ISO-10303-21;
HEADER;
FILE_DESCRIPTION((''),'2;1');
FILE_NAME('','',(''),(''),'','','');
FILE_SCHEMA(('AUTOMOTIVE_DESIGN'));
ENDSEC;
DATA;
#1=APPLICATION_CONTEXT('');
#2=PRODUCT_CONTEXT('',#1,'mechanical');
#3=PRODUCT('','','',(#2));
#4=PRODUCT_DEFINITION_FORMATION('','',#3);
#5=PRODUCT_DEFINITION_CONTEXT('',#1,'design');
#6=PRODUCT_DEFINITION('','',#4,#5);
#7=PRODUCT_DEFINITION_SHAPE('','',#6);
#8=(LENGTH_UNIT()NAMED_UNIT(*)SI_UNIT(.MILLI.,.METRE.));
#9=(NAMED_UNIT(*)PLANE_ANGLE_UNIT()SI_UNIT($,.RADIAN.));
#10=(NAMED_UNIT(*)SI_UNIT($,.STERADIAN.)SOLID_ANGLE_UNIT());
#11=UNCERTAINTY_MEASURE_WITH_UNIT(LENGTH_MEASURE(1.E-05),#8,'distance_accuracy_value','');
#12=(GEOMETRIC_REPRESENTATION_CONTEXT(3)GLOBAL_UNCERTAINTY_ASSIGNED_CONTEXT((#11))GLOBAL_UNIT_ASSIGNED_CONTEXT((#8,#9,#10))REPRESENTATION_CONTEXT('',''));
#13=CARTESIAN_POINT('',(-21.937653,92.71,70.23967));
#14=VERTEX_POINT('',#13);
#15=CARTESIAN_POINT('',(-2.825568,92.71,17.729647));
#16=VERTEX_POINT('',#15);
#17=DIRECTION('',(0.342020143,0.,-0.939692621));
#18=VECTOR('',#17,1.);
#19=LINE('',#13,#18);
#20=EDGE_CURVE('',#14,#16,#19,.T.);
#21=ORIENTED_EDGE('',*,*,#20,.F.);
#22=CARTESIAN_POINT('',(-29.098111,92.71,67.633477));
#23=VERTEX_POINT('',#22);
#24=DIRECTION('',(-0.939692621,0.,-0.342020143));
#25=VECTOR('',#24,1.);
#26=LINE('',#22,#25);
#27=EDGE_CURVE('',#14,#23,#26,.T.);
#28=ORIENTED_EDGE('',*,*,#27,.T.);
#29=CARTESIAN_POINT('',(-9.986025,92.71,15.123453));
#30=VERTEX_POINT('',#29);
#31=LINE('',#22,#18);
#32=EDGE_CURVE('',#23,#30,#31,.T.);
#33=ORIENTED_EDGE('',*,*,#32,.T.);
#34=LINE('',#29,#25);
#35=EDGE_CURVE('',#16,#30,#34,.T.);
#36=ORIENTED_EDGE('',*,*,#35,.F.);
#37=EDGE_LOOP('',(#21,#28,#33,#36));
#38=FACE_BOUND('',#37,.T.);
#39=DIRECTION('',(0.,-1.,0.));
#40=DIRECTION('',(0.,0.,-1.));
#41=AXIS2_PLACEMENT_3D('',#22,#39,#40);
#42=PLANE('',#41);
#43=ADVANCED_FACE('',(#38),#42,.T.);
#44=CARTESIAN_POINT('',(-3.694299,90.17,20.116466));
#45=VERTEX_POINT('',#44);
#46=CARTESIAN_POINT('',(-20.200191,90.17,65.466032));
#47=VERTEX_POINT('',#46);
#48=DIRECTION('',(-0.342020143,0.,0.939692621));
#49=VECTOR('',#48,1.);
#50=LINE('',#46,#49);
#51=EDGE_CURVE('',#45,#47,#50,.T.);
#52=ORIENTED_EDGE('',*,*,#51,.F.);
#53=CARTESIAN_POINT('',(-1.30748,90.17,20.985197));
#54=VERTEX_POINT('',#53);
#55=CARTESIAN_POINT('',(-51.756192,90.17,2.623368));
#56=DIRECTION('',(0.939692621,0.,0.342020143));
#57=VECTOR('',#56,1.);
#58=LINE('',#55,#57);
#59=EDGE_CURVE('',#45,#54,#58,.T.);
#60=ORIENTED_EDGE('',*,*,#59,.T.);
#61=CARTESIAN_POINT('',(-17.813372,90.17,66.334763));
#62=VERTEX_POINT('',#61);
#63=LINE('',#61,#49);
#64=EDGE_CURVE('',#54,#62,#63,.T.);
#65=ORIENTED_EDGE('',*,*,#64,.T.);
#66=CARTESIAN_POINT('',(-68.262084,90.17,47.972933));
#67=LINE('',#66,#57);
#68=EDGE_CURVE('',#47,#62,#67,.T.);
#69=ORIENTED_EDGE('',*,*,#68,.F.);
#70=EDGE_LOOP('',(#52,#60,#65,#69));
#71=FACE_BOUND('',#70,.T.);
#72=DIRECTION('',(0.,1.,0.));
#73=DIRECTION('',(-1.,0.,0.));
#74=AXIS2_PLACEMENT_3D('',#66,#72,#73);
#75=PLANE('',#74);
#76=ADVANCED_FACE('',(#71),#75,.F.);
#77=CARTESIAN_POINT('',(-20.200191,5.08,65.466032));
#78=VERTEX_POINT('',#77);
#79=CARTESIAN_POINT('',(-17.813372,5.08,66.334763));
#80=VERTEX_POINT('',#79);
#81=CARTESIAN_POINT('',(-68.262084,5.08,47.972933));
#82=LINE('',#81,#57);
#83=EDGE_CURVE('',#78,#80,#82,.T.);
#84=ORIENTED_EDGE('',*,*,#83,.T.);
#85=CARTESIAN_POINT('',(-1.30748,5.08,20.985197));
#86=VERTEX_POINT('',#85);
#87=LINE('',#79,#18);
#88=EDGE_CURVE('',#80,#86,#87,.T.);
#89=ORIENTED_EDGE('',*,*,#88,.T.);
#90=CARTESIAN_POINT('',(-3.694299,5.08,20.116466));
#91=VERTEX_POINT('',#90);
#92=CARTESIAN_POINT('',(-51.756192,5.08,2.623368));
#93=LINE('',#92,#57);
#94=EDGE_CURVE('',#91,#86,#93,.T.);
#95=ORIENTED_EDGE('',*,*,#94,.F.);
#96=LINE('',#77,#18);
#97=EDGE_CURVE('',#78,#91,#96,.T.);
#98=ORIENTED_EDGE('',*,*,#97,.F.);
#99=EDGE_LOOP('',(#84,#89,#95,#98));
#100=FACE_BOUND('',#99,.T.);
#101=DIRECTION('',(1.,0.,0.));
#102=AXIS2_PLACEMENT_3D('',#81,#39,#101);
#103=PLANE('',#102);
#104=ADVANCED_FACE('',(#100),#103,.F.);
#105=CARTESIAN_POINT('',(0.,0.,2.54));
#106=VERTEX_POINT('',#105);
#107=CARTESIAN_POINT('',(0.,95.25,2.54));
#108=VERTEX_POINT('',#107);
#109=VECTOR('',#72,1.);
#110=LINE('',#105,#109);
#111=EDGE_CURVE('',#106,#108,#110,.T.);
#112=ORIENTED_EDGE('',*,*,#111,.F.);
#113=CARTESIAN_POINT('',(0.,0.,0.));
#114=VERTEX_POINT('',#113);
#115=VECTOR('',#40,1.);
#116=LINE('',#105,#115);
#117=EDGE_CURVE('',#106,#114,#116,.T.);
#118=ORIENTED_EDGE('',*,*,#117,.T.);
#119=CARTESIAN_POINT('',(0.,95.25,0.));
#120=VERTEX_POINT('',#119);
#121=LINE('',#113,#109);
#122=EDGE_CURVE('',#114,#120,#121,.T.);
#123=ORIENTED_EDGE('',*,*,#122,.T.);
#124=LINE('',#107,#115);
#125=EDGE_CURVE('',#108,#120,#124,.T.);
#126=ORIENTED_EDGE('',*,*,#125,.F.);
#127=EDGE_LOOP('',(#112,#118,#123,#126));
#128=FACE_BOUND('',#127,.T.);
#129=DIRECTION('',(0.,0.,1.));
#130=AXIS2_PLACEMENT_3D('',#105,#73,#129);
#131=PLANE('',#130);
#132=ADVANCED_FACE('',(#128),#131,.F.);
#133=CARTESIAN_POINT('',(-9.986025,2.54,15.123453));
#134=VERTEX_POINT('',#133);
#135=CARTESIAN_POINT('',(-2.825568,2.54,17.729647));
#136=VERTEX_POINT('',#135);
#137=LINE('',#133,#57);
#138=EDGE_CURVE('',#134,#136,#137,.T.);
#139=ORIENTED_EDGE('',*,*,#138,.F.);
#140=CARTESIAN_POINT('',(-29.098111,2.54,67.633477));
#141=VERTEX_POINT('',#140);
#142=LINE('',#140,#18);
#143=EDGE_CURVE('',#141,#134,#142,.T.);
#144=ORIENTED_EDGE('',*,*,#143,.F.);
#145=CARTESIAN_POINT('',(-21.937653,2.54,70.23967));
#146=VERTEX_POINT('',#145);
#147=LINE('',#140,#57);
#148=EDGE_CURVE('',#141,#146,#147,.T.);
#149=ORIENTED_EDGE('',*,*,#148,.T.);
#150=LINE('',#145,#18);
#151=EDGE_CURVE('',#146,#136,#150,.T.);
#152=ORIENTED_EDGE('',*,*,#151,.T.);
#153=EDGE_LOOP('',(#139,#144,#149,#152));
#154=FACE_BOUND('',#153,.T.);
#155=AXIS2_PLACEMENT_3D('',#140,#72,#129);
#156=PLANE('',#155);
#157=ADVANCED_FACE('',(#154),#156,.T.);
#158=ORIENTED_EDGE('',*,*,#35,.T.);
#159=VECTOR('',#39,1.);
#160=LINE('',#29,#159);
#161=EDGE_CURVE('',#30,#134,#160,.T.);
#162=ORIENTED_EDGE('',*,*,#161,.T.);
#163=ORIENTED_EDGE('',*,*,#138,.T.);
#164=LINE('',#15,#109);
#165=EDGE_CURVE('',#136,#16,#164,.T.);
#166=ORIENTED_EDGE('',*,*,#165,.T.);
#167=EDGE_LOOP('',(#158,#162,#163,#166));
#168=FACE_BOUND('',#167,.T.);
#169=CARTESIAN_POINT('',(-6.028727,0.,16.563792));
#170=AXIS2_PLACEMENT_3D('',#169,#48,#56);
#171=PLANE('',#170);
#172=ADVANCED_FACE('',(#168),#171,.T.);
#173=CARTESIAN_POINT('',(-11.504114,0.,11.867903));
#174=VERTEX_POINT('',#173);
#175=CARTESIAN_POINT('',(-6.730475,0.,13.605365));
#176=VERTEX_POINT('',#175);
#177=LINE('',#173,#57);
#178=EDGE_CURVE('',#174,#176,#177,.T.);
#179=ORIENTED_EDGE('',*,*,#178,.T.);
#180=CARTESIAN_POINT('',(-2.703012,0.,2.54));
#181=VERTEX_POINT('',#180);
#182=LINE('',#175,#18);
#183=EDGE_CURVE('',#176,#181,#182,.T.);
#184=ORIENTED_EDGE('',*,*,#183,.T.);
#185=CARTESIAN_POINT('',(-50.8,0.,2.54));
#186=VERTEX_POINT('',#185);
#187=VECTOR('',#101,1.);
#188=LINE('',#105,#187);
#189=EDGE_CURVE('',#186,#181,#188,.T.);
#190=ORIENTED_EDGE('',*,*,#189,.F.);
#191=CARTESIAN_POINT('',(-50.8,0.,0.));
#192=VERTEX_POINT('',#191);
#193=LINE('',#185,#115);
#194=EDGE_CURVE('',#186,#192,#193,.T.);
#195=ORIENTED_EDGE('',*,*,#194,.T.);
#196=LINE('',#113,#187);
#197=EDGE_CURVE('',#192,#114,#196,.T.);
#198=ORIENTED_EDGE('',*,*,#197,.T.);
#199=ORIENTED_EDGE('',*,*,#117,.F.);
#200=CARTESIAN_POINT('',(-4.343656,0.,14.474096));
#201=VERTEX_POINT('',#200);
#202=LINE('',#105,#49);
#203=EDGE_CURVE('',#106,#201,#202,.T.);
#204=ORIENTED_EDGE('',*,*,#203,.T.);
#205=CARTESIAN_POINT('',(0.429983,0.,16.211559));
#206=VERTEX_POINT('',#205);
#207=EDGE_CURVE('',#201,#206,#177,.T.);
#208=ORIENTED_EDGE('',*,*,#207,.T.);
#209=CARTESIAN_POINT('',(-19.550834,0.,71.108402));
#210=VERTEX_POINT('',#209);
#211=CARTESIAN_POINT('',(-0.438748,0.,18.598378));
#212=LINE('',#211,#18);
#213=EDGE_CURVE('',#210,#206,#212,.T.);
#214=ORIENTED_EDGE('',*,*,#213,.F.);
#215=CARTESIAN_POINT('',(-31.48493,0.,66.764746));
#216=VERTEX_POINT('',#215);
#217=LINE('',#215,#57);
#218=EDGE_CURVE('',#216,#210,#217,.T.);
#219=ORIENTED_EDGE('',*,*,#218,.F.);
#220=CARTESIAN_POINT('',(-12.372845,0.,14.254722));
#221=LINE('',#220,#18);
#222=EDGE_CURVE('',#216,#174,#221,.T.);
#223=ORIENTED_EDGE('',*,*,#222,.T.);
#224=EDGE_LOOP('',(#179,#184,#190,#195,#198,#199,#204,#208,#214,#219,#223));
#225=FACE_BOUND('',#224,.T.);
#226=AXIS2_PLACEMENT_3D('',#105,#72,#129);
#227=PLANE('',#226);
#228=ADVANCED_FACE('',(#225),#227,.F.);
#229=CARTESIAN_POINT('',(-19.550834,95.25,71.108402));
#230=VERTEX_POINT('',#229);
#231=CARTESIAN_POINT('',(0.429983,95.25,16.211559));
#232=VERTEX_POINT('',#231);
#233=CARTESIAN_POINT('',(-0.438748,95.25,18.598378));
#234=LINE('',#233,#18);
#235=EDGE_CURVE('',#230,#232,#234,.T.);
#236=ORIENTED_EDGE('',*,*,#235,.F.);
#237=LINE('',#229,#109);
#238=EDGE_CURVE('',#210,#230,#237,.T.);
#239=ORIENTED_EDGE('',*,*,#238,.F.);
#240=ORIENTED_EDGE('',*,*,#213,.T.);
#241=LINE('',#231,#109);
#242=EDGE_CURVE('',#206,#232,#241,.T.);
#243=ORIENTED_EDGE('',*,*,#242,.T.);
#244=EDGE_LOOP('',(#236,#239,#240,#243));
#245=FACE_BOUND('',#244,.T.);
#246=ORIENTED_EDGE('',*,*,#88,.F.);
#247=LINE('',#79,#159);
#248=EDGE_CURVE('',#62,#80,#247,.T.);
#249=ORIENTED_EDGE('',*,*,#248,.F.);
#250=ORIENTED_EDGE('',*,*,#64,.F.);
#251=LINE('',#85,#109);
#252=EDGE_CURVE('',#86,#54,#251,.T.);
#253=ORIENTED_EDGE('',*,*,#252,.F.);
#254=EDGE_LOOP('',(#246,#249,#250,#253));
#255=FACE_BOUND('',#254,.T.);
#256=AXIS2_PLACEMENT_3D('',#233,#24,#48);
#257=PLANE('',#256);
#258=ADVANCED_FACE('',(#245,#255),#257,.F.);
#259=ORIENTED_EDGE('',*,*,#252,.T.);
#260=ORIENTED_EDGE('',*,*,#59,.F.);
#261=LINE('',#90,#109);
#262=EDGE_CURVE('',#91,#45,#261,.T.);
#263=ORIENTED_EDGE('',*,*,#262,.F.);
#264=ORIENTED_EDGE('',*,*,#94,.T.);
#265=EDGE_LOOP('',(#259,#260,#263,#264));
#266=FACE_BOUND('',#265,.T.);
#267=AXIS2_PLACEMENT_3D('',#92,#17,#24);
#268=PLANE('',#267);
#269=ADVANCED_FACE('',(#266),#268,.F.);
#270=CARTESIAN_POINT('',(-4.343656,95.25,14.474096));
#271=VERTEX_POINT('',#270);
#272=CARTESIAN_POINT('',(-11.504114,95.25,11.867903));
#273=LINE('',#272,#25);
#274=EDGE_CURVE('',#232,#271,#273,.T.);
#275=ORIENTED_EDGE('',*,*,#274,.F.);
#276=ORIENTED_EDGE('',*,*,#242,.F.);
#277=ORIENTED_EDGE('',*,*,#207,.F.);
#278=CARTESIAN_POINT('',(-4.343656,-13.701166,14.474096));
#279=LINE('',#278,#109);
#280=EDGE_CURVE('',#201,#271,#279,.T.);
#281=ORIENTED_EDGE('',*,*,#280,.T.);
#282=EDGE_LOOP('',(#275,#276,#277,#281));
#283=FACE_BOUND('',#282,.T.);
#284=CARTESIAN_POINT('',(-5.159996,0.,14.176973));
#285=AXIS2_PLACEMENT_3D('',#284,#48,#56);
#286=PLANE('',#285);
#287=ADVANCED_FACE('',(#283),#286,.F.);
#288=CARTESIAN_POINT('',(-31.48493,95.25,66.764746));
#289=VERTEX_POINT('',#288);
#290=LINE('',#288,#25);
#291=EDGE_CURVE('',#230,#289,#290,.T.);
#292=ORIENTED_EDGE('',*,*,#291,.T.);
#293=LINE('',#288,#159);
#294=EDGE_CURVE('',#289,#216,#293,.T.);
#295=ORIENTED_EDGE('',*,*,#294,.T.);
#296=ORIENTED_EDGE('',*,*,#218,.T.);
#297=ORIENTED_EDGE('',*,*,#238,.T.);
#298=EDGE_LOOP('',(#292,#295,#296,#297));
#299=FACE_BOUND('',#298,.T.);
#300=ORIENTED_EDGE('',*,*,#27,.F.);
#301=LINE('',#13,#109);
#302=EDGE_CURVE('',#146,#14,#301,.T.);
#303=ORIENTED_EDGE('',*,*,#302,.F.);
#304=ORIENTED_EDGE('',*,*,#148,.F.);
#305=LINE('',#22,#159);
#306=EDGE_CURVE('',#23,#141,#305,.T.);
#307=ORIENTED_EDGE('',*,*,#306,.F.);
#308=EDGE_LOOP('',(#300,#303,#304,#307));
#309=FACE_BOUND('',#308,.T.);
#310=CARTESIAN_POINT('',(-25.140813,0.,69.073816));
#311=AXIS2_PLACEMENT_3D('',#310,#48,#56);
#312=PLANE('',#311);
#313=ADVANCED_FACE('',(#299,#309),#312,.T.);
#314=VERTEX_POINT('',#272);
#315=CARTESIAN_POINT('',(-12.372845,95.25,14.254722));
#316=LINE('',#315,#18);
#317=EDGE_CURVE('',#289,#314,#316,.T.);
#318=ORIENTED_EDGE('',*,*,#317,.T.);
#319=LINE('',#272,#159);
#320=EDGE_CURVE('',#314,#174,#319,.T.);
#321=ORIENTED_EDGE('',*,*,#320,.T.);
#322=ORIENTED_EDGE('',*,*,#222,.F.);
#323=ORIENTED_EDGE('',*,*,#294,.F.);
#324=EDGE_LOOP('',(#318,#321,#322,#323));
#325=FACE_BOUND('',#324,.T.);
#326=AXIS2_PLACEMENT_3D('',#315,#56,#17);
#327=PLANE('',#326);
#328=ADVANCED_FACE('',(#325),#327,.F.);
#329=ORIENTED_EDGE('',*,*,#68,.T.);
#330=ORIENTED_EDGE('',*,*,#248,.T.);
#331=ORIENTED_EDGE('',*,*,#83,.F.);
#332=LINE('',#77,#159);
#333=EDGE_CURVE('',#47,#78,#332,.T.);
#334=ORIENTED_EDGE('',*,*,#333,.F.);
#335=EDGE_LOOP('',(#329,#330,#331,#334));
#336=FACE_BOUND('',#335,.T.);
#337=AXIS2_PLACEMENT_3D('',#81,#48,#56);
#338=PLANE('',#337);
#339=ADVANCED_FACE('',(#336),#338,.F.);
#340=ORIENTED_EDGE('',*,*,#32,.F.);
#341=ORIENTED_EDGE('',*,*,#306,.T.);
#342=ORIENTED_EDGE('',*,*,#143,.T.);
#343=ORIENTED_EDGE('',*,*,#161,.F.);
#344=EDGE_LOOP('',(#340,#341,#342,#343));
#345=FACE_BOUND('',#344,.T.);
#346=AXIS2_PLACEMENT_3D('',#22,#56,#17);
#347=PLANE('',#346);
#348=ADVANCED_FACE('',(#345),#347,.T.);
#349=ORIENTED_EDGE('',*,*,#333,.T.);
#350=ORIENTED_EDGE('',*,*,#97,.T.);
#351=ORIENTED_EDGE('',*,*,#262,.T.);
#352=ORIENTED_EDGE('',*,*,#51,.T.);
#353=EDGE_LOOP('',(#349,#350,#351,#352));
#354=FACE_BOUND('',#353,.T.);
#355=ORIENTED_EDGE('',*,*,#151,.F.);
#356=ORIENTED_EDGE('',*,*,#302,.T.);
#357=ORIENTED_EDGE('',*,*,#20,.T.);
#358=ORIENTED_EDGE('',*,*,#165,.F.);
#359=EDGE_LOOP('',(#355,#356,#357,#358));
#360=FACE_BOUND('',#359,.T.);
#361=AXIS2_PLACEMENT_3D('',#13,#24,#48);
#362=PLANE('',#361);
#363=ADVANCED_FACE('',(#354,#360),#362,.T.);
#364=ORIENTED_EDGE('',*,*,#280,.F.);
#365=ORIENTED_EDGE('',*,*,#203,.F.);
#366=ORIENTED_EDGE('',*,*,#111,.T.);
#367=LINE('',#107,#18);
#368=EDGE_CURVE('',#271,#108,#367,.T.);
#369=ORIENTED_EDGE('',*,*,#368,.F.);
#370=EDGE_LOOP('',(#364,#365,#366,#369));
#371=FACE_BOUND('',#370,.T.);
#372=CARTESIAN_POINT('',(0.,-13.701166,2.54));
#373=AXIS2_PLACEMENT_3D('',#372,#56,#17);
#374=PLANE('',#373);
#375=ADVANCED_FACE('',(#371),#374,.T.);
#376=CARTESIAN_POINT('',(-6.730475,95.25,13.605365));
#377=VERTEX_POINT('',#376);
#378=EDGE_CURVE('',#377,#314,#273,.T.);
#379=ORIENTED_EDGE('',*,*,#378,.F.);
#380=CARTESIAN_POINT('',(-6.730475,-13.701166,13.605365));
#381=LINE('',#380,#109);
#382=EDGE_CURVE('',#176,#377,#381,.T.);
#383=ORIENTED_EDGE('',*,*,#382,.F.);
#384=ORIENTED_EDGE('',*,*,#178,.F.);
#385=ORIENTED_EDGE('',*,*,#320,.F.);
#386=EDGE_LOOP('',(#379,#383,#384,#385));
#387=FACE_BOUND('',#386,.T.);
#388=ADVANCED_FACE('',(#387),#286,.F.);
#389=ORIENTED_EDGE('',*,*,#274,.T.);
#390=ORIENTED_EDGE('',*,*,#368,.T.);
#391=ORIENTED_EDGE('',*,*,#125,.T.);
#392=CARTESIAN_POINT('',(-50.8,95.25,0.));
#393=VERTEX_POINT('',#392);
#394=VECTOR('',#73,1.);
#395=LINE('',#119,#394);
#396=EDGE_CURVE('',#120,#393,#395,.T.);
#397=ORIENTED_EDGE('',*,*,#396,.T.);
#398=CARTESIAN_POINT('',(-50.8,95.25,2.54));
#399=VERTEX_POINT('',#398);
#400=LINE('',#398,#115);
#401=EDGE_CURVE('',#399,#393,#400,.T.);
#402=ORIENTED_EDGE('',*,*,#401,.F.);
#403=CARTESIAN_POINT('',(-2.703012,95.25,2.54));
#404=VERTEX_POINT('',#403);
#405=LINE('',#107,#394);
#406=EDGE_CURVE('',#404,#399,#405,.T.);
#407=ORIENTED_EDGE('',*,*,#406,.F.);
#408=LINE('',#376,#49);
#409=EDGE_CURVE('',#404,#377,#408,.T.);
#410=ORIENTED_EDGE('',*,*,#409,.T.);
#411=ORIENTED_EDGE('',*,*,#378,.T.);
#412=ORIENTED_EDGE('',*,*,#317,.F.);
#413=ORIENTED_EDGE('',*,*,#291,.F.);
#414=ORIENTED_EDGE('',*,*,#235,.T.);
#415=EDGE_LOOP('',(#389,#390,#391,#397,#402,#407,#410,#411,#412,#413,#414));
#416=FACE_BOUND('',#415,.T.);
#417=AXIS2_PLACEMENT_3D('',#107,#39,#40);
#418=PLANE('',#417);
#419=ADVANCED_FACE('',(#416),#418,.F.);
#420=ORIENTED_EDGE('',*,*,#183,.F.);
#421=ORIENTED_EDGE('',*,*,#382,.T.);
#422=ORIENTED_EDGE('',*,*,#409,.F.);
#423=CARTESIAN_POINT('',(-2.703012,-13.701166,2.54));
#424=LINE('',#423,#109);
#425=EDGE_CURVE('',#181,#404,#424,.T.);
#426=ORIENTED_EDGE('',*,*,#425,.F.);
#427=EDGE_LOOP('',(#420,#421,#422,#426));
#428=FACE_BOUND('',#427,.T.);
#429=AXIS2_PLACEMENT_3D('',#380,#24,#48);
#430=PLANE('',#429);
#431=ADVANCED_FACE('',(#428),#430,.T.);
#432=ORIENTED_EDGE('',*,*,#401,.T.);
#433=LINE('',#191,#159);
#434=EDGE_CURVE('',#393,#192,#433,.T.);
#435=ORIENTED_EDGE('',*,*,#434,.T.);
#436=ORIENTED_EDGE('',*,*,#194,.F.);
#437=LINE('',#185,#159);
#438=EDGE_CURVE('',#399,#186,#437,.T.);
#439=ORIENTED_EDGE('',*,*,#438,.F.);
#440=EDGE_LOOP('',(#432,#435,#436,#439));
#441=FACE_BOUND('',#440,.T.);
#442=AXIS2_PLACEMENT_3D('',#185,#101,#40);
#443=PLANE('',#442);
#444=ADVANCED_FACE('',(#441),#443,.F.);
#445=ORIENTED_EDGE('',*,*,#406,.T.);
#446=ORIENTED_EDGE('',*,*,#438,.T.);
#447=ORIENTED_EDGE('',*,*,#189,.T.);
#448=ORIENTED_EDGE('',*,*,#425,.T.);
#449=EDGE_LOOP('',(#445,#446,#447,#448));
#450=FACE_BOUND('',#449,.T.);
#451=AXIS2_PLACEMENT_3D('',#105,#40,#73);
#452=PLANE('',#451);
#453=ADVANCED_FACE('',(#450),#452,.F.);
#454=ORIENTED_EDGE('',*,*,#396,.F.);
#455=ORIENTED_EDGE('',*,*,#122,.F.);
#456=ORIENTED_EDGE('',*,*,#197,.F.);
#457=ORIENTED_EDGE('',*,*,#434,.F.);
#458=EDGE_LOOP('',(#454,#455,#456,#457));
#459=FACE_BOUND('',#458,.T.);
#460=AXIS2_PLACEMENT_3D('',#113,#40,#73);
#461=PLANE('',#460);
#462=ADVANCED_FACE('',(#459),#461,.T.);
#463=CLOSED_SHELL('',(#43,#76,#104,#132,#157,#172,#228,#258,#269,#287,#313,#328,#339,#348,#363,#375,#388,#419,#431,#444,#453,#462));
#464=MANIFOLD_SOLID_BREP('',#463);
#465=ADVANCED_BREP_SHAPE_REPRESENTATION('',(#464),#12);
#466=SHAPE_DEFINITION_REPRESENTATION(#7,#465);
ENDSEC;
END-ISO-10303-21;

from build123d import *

# Parameters (mm, degrees)
SKETCH1_W           = 95.25
SKETCH1_H           = 50.8
BOSS_EXTRUDE1_DEPTH = 2.54
BOSS_EXTRUDE2_DEPTH = 95.25
SKETCH3_W           = 12.7
SKETCH3_H           = 95.25
BOSS_EXTRUDE3_DEPTH = 2.54
SKETCH4_W           = 12.7
SKETCH4_H           = 95.25
SKETCH4_W_2         = 7.62
SKETCH4_H_2         = 90.17
BOSS_EXTRUDE4_DEPTH = 55.88
CUT_EXTRUDE1_REACH  = 132.474
SKETCH5_W           = 85.09
SKETCH5_H           = 48.26


with BuildPart() as part:
    # Sketch1 → Boss-Extrude1 (new body)
    with BuildSketch(Plane(origin=(0, 0, 0), x_dir=(0, 1, 0), z_dir=(0, 0, 1))):
        with Locations((47.625, 25.4)):
            Rectangle(SKETCH1_W, SKETCH1_H)
    extrude(amount=BOSS_EXTRUDE1_DEPTH)

    # Sketch2 → Boss-Extrude2 (add)
    with BuildSketch(Plane(origin=(0, 95.25, 0), x_dir=(-1, 0, 0), z_dir=(0, 1, 0))):
        Polygon((0, 2.54), (4.34365582, 14.474096284), (6.730475077, 13.60536512), (2.703011542, 2.54), align=None)
    extrude(amount=-BOSS_EXTRUDE2_DEPTH)

    # Sketch3 → Boss-Extrude3 (add)
    with BuildSketch(Plane(origin=(-5.159996085, 0, 14.176972727), x_dir=(0.9396926207859077, 0, 0.34202014332567104), z_dir=(-0.34202014332567104, 0, 0.9396926207859077))):
        with Locations((-0.401268836, 47.625)):
            Rectangle(SKETCH3_W, SKETCH3_H)
    extrude(amount=BOSS_EXTRUDE3_DEPTH)

    # Sketch4 → Boss-Extrude4 (add)
    with BuildSketch(Plane(origin=(-6.028727249, 0, 16.563791984), x_dir=(0.9396926207859075, 0, 0.3420201433256711), z_dir=(-0.3420201433256711, 0, 0.9396926207859075))):
        with Locations((-0.401268836, 47.625)):
            Rectangle(SKETCH4_W, SKETCH4_H)
        with Locations((-0.401268836, 47.625)):
            Rectangle(SKETCH4_W_2, SKETCH4_H_2, mode=Mode.SUBTRACT)
    extrude(amount=BOSS_EXTRUDE4_DEPTH)

    # Sketch5 → Cut-Extrude1 (cut, up to next)
    with BuildSketch(Plane(origin=(5.589978778, 0, 2.034585885), x_dir=(0, 1, 0), z_dir=(0.9396926207859075, 0, 0.3420201433256711)), mode=Mode.PRIVATE) as cut_extrude1_sk1:
        with Locations((47.625, 44.296819257)):
            Rectangle(SKETCH5_W, SKETCH5_H)
    cut_extrude1_tool1 = extrude(cut_extrude1_sk1.sketch, amount=-CUT_EXTRUDE1_REACH, mode=Mode.PRIVATE) & part.part
    add(cut_extrude1_tool1.solids().sort_by_distance((-9.560426, 47.625, 43.65998))[0], mode=Mode.SUBTRACT)


solid = part.part
